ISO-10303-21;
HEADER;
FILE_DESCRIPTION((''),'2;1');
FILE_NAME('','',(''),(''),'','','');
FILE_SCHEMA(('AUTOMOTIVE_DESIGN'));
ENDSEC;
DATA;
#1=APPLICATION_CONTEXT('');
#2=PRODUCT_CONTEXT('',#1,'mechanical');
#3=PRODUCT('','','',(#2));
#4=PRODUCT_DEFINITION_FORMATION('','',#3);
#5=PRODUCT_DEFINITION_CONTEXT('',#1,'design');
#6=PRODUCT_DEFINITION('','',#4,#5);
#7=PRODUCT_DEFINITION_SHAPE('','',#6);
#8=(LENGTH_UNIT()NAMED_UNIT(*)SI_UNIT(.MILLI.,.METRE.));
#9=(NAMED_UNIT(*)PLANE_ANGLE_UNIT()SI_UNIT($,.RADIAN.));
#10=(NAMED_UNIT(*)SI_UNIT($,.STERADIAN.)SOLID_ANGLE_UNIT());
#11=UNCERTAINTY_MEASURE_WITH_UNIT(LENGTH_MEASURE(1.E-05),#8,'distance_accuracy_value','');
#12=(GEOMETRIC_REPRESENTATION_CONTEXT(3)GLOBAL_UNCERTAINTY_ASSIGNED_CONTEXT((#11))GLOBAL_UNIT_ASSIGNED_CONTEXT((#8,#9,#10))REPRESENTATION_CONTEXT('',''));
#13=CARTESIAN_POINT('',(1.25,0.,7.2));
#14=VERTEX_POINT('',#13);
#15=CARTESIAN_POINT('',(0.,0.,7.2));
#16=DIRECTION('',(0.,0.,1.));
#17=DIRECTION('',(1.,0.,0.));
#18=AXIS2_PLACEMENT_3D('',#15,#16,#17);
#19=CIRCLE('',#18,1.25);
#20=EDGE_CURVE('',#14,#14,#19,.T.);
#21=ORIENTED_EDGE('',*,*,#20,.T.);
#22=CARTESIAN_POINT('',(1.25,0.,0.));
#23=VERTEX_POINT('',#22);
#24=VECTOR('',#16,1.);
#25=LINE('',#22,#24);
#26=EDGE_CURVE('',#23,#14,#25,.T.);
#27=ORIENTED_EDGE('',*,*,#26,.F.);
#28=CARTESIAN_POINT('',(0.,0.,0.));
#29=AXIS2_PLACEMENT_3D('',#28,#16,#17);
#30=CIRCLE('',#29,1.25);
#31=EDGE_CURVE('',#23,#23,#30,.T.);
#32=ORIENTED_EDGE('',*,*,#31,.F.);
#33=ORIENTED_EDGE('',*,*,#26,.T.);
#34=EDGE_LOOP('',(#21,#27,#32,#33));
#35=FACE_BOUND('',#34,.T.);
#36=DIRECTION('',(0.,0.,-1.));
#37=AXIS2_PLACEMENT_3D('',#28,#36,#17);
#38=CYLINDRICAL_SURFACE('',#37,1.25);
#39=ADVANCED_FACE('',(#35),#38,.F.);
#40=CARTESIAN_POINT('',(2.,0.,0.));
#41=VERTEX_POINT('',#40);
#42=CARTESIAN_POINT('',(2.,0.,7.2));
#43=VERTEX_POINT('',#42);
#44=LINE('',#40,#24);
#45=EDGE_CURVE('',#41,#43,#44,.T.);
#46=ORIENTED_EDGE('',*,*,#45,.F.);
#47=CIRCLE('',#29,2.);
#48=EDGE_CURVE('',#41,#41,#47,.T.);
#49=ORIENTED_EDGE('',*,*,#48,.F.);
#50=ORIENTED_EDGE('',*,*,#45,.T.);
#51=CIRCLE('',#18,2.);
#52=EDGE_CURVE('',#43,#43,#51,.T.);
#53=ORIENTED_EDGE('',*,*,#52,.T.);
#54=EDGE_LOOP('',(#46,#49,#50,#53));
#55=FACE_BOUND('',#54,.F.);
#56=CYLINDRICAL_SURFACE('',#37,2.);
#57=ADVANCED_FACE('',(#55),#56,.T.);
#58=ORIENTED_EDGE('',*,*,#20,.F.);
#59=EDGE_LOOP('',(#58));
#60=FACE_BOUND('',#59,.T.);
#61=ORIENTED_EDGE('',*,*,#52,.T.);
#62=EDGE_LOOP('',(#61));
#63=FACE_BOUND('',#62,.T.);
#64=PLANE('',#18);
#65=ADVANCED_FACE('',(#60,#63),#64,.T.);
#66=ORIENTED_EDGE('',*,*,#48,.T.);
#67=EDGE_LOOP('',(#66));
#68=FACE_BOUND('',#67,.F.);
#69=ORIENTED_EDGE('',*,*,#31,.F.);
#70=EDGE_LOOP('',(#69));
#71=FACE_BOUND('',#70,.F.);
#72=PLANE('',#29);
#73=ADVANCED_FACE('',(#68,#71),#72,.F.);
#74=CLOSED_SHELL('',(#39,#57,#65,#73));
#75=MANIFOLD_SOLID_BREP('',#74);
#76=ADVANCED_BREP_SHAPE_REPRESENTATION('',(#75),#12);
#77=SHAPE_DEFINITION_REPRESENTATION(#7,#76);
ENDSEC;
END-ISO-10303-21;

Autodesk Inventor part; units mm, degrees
ref_plane "YZ Plane" through (0, 0, 0) normal (1, 0, 0) x (0, 1, 0)
ref_plane "XZ Plane" through (0, 0, 0) normal (0, 1, 0) x (-1, 0, 0)
ref_plane "XY Plane" through (0, 0, 0) normal (0, 0, 1) x (1, 0, 0)
sketch "Skizze1" plane through (0, 0, 0) normal (0, 0, 1) x (1, 0, 0)
  circle A0 centre (0, 0) radius 1.25
  circle A1 centre (0, 0) radius 2
  dimension "d0" = 2.5
  dimension "d1" = 4
extrude "Extrusion1" add sketch "Skizze1" along normal blind 7.2
properties part number "LCD_Distanz" material "Beton"
